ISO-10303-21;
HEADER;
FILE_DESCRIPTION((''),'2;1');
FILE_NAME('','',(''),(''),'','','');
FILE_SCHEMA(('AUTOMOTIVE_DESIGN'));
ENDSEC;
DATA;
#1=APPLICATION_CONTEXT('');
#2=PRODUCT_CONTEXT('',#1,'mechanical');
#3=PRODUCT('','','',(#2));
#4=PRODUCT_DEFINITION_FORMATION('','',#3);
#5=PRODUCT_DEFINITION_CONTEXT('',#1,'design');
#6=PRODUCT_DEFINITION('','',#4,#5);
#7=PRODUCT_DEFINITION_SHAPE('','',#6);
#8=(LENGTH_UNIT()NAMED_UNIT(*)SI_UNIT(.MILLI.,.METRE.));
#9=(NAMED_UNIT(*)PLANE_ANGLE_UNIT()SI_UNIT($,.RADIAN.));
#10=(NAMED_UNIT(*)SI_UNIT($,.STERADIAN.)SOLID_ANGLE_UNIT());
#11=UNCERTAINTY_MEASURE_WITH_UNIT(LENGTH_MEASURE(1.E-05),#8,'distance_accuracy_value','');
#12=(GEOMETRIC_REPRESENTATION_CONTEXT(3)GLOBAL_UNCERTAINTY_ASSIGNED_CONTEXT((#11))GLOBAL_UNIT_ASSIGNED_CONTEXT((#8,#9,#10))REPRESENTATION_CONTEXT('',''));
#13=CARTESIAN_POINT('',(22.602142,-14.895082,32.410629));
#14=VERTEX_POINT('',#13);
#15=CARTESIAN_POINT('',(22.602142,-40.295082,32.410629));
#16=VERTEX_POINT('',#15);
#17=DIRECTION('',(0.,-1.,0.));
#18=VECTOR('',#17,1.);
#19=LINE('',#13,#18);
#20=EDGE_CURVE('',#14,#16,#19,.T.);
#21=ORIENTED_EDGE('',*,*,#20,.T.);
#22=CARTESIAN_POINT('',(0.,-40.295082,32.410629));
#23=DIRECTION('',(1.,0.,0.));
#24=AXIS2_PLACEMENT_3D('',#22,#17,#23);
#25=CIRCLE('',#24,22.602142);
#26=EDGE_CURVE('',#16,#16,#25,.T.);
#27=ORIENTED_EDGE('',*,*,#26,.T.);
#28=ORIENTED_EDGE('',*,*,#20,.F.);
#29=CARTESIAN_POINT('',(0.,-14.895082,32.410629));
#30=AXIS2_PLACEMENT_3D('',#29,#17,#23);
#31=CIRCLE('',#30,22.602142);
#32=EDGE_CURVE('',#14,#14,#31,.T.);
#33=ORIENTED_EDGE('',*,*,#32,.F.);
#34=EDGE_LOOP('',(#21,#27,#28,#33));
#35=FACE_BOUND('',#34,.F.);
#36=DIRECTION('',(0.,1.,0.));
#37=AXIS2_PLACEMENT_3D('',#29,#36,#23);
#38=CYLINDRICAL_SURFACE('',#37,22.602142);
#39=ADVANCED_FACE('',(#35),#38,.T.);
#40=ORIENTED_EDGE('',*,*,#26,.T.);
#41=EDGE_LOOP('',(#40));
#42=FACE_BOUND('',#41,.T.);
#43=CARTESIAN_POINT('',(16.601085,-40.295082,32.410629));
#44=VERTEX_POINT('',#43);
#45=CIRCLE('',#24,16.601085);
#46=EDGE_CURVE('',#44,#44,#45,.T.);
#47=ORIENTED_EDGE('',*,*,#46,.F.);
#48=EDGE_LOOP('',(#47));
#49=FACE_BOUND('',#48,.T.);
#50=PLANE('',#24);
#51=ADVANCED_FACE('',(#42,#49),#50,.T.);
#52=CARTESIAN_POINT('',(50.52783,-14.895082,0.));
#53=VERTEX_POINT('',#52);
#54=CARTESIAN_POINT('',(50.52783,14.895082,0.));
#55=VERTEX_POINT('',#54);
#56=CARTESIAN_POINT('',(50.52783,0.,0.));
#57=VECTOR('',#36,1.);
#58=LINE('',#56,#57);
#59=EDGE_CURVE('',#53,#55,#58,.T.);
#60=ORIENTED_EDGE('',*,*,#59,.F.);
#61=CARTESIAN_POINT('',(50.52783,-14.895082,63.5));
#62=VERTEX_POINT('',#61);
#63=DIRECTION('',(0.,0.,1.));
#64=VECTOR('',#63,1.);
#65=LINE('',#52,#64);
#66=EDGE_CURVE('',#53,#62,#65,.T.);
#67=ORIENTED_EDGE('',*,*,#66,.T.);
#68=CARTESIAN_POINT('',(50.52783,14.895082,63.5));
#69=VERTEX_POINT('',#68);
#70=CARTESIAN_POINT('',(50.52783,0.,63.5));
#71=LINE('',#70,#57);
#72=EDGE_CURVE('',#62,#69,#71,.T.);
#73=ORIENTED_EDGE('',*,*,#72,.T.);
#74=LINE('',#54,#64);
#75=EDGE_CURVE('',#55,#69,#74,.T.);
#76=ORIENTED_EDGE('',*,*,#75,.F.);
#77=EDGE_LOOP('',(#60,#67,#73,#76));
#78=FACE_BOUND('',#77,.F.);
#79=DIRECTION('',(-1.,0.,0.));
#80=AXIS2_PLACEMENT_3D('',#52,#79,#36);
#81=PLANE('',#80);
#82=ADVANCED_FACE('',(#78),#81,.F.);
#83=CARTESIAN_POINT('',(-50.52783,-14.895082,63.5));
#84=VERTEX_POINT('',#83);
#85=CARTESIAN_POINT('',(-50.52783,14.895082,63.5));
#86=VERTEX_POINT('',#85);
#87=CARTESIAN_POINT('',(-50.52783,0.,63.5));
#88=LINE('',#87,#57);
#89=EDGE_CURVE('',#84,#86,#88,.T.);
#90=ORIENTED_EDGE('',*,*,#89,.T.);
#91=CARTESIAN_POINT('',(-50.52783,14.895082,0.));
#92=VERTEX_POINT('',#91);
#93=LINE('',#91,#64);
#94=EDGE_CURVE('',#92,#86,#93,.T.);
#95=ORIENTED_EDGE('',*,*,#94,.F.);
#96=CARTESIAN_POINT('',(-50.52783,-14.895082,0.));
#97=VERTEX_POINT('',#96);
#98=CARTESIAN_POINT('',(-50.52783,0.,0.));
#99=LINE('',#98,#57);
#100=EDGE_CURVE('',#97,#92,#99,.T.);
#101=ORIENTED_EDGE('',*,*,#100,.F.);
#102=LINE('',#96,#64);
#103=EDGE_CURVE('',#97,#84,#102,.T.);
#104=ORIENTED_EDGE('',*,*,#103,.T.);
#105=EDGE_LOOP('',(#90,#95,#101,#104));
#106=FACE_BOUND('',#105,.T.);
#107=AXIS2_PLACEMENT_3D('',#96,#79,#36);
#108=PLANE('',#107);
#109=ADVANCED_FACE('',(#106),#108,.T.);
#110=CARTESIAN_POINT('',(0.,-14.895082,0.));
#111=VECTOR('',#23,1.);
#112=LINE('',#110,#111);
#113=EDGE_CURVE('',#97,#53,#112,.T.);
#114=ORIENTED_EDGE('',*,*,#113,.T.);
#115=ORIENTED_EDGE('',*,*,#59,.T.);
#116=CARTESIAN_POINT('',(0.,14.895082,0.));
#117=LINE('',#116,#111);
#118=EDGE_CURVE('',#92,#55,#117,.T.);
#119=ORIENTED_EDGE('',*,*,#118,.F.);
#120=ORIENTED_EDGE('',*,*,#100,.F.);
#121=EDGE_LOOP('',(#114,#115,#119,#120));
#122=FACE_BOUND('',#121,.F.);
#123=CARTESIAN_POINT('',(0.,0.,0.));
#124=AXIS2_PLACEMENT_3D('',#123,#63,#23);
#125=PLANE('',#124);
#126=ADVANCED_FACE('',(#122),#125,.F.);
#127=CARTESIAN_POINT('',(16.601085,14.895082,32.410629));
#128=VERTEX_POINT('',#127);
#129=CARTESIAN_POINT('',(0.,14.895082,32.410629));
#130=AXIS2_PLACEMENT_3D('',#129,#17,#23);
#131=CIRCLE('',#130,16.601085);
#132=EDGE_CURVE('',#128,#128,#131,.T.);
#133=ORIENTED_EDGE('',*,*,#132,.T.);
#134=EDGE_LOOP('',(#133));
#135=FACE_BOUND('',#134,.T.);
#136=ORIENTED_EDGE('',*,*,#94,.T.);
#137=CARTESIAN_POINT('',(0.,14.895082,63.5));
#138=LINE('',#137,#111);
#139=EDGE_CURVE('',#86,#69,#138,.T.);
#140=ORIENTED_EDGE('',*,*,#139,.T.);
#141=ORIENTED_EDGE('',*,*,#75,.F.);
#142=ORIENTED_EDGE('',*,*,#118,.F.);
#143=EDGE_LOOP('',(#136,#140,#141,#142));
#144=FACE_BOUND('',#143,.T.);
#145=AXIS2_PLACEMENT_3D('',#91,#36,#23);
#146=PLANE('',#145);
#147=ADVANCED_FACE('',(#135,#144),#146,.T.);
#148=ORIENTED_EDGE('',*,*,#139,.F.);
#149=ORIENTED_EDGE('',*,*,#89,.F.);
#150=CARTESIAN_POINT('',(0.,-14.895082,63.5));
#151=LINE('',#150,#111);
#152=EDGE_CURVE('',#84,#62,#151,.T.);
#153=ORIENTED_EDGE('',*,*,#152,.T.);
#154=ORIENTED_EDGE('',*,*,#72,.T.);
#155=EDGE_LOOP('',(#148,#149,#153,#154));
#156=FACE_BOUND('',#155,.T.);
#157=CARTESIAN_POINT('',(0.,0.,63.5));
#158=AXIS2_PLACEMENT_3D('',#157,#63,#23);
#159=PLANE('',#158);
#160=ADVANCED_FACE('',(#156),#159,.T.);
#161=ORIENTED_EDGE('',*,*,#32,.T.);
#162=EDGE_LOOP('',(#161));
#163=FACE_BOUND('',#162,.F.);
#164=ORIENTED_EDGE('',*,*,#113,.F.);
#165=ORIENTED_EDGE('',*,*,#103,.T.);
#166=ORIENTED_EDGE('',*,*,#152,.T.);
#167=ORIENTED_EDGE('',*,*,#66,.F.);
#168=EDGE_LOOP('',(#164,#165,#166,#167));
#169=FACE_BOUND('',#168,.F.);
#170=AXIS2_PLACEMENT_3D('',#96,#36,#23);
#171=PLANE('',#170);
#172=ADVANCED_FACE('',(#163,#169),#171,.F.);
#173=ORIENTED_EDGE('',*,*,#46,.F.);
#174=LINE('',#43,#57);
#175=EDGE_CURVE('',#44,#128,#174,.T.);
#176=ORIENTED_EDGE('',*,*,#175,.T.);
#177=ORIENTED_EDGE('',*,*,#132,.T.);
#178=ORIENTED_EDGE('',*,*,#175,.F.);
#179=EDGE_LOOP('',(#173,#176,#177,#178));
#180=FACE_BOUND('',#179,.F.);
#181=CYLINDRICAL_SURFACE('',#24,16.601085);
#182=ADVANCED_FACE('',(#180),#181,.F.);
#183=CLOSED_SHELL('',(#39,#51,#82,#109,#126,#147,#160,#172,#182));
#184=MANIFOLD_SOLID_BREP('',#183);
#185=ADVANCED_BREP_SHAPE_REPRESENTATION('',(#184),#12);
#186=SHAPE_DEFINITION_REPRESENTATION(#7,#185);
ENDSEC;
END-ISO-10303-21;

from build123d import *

# Parameters (mm, degrees)
F0_W     = 101.05566
F0_H     = 29.790164
F1_DEPTH = 63.5
F2_R     = 22.602142
F3_DEPTH = 25.4
F4_R     = 16.601085
F5_DEPTH = 55.191165


with BuildPart() as f1:
    # F0 (on Top) → F1 (new body)
    with BuildSketch(Plane.XY):
        Rectangle(F0_W, F0_H)
    extrude(amount=F1_DEPTH)

    # F2 (on face) → F3 (join)
    with BuildSketch(Plane.XZ.offset(14.895082)):
        with Locations((0, 32.410629)):
            Circle(F2_R)
    extrude(amount=F3_DEPTH)

    # F4 (on face) → F5 (cut, through all)
    with BuildSketch(Plane.XZ.offset(40.295082)):
        with Locations((0, 32.410629)):
            Circle(F4_R)
    extrude(amount=-F5_DEPTH, mode=Mode.SUBTRACT)


solid = f1.part
